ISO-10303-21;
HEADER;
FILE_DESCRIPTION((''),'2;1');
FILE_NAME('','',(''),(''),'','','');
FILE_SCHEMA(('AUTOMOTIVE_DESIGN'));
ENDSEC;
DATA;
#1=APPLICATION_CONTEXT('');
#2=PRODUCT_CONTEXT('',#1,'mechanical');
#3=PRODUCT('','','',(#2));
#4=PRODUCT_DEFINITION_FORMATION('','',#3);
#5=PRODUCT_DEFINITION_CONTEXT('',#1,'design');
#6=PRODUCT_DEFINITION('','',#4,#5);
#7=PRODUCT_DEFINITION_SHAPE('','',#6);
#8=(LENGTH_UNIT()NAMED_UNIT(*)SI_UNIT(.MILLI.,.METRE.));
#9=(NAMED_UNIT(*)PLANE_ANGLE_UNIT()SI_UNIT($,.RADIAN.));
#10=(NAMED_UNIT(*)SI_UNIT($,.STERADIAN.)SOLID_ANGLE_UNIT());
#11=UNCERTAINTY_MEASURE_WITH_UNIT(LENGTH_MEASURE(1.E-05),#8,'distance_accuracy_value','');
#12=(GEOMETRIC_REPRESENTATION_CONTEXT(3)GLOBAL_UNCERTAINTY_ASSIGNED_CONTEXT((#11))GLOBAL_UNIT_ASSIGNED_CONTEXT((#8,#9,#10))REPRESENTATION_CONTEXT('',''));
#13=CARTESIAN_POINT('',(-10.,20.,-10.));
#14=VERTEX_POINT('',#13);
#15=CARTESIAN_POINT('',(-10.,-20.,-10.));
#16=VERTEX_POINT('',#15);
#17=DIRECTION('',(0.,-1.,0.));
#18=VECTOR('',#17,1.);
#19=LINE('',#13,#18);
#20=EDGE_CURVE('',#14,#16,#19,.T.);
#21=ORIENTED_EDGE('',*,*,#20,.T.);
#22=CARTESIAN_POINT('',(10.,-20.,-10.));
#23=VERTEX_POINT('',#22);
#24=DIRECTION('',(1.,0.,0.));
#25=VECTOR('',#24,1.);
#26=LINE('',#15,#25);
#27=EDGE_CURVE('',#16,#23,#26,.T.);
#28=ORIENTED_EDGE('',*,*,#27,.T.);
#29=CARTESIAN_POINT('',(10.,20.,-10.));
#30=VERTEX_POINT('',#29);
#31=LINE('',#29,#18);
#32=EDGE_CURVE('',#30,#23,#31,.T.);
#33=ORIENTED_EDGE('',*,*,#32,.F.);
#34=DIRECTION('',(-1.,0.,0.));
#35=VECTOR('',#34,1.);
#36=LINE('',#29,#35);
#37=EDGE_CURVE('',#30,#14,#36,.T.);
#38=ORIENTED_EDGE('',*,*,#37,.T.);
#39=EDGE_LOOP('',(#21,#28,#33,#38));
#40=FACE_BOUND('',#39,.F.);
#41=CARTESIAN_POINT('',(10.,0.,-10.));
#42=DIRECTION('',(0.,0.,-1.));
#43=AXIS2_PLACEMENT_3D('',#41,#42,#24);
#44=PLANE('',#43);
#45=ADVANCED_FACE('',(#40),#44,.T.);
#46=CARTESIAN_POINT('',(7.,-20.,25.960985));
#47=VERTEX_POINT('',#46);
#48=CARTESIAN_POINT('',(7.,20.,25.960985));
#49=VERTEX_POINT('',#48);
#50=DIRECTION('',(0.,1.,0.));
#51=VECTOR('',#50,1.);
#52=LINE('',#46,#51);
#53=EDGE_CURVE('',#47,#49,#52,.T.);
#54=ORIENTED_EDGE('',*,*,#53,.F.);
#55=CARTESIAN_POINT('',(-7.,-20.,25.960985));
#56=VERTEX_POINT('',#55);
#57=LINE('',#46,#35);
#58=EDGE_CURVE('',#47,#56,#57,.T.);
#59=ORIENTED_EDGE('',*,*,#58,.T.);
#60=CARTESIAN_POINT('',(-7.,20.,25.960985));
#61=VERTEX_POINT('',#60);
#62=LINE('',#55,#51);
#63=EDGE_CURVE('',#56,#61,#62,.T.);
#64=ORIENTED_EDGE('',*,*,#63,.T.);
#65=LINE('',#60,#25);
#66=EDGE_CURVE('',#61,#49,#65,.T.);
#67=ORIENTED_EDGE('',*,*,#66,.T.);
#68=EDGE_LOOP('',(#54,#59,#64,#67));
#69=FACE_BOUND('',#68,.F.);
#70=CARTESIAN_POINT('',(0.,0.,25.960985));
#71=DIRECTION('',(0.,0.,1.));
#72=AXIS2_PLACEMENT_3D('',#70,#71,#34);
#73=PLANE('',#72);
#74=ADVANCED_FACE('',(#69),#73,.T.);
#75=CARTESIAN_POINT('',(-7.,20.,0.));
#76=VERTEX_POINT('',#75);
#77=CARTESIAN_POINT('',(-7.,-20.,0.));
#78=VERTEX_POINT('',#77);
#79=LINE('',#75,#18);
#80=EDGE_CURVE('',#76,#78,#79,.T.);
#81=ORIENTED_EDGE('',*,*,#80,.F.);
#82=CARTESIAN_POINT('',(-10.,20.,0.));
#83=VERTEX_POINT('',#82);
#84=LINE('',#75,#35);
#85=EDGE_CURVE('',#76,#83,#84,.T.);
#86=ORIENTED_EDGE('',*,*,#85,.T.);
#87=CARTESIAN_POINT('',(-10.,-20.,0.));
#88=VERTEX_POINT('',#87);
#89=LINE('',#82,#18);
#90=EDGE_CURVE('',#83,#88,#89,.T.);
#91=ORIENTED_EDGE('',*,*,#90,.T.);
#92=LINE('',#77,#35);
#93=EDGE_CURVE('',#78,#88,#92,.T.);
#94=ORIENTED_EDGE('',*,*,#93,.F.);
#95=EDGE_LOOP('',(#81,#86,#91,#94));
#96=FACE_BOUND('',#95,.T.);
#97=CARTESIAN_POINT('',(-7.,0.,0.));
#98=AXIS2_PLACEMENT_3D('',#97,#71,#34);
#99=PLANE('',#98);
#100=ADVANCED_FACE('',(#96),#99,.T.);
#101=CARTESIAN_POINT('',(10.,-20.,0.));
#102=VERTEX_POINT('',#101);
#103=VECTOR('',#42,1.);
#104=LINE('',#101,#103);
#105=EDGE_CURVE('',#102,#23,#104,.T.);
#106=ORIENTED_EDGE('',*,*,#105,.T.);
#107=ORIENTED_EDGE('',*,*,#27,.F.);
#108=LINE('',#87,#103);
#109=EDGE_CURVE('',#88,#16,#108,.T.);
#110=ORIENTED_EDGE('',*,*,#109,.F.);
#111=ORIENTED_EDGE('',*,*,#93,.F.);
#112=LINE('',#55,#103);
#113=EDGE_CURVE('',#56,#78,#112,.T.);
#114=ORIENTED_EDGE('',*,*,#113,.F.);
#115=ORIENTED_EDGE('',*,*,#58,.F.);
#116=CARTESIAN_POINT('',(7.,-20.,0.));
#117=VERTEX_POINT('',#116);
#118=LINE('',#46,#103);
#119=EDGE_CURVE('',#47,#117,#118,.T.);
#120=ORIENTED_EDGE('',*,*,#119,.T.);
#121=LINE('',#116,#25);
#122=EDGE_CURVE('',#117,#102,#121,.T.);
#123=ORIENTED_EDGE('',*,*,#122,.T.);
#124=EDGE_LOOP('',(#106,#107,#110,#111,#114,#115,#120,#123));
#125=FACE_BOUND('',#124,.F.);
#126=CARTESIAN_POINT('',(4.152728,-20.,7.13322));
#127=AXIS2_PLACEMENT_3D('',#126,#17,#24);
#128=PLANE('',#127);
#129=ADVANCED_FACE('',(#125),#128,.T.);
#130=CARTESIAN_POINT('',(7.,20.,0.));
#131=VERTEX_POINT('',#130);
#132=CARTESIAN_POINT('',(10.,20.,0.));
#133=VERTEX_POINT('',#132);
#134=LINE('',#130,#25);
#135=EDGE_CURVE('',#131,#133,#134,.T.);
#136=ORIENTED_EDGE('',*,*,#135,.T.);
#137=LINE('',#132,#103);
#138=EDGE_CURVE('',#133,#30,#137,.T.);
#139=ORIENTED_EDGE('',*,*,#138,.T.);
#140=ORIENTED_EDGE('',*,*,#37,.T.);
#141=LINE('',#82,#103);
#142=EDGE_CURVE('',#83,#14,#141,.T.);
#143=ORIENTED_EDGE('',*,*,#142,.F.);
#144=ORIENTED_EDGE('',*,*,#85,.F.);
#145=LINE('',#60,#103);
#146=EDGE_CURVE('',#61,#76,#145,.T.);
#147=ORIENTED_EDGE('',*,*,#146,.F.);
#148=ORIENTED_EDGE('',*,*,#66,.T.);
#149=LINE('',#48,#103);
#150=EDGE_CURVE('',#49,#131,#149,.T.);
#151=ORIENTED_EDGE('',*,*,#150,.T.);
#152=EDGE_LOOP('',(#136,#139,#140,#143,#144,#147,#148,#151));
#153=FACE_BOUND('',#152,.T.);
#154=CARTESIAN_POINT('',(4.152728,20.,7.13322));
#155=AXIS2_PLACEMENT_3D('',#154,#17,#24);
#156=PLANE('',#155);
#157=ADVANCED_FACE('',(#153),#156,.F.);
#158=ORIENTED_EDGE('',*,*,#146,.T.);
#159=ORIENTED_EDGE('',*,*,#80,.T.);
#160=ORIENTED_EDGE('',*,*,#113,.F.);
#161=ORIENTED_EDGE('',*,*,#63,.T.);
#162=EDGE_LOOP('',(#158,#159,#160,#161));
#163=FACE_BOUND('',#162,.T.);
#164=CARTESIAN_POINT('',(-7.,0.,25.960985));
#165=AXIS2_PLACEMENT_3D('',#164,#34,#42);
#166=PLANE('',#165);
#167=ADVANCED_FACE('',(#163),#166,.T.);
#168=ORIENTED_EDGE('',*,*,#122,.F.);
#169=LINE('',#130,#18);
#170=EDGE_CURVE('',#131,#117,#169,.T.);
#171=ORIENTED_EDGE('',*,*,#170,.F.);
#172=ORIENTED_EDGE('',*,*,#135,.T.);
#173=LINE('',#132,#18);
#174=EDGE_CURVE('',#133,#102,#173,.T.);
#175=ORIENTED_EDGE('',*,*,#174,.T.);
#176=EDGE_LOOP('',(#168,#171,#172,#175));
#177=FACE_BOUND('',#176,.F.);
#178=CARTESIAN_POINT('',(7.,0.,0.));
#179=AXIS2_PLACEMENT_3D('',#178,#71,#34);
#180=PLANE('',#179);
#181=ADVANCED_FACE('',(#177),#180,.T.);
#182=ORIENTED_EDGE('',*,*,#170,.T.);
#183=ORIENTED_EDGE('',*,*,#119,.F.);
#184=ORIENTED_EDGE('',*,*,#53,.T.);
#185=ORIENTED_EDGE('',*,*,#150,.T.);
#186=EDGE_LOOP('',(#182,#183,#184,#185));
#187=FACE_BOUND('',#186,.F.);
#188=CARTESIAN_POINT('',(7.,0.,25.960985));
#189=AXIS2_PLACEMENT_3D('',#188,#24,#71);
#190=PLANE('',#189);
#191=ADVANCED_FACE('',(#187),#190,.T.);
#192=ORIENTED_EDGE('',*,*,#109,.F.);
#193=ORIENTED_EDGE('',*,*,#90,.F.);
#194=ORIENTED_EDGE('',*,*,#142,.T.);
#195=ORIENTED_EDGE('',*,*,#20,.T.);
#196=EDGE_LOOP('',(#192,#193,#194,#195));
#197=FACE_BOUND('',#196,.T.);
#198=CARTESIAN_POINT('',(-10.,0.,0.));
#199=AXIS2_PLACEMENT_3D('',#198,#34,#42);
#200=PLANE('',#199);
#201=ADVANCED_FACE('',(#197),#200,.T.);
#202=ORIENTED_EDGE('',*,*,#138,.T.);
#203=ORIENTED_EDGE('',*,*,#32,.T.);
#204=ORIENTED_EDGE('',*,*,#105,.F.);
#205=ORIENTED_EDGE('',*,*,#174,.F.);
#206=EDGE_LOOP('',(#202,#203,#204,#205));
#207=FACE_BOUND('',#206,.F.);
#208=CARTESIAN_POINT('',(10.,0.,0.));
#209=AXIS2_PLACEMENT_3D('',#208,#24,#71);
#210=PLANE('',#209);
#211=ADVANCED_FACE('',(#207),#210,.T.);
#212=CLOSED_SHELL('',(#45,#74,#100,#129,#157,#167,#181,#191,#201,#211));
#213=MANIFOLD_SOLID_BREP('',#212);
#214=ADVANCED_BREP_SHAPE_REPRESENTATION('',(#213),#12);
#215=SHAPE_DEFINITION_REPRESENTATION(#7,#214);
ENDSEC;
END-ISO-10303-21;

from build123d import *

# Parameters (mm, degrees)
F1_DEPTH = 20


with BuildPart() as f1:
    # F0 (on Front) → F1 (new body, symmetric)
    with BuildSketch(Plane.XZ):
        Polygon((-7, 25.960985), (-7, 0), (-10, 0), (-10, -10), (0, -10), (0, 25.960985), align=None)
    extrude(amount=F1_DEPTH, both=True)

    # F2: F1 across face


with BuildPart() as f1_1:
    add(f1.part)
    add(f1.part.mirror(Plane(origin=(0, 0, 7.980493), x_dir=(0, 1, 0), z_dir=(1, 0, 0))))


solid = f1_1.part
